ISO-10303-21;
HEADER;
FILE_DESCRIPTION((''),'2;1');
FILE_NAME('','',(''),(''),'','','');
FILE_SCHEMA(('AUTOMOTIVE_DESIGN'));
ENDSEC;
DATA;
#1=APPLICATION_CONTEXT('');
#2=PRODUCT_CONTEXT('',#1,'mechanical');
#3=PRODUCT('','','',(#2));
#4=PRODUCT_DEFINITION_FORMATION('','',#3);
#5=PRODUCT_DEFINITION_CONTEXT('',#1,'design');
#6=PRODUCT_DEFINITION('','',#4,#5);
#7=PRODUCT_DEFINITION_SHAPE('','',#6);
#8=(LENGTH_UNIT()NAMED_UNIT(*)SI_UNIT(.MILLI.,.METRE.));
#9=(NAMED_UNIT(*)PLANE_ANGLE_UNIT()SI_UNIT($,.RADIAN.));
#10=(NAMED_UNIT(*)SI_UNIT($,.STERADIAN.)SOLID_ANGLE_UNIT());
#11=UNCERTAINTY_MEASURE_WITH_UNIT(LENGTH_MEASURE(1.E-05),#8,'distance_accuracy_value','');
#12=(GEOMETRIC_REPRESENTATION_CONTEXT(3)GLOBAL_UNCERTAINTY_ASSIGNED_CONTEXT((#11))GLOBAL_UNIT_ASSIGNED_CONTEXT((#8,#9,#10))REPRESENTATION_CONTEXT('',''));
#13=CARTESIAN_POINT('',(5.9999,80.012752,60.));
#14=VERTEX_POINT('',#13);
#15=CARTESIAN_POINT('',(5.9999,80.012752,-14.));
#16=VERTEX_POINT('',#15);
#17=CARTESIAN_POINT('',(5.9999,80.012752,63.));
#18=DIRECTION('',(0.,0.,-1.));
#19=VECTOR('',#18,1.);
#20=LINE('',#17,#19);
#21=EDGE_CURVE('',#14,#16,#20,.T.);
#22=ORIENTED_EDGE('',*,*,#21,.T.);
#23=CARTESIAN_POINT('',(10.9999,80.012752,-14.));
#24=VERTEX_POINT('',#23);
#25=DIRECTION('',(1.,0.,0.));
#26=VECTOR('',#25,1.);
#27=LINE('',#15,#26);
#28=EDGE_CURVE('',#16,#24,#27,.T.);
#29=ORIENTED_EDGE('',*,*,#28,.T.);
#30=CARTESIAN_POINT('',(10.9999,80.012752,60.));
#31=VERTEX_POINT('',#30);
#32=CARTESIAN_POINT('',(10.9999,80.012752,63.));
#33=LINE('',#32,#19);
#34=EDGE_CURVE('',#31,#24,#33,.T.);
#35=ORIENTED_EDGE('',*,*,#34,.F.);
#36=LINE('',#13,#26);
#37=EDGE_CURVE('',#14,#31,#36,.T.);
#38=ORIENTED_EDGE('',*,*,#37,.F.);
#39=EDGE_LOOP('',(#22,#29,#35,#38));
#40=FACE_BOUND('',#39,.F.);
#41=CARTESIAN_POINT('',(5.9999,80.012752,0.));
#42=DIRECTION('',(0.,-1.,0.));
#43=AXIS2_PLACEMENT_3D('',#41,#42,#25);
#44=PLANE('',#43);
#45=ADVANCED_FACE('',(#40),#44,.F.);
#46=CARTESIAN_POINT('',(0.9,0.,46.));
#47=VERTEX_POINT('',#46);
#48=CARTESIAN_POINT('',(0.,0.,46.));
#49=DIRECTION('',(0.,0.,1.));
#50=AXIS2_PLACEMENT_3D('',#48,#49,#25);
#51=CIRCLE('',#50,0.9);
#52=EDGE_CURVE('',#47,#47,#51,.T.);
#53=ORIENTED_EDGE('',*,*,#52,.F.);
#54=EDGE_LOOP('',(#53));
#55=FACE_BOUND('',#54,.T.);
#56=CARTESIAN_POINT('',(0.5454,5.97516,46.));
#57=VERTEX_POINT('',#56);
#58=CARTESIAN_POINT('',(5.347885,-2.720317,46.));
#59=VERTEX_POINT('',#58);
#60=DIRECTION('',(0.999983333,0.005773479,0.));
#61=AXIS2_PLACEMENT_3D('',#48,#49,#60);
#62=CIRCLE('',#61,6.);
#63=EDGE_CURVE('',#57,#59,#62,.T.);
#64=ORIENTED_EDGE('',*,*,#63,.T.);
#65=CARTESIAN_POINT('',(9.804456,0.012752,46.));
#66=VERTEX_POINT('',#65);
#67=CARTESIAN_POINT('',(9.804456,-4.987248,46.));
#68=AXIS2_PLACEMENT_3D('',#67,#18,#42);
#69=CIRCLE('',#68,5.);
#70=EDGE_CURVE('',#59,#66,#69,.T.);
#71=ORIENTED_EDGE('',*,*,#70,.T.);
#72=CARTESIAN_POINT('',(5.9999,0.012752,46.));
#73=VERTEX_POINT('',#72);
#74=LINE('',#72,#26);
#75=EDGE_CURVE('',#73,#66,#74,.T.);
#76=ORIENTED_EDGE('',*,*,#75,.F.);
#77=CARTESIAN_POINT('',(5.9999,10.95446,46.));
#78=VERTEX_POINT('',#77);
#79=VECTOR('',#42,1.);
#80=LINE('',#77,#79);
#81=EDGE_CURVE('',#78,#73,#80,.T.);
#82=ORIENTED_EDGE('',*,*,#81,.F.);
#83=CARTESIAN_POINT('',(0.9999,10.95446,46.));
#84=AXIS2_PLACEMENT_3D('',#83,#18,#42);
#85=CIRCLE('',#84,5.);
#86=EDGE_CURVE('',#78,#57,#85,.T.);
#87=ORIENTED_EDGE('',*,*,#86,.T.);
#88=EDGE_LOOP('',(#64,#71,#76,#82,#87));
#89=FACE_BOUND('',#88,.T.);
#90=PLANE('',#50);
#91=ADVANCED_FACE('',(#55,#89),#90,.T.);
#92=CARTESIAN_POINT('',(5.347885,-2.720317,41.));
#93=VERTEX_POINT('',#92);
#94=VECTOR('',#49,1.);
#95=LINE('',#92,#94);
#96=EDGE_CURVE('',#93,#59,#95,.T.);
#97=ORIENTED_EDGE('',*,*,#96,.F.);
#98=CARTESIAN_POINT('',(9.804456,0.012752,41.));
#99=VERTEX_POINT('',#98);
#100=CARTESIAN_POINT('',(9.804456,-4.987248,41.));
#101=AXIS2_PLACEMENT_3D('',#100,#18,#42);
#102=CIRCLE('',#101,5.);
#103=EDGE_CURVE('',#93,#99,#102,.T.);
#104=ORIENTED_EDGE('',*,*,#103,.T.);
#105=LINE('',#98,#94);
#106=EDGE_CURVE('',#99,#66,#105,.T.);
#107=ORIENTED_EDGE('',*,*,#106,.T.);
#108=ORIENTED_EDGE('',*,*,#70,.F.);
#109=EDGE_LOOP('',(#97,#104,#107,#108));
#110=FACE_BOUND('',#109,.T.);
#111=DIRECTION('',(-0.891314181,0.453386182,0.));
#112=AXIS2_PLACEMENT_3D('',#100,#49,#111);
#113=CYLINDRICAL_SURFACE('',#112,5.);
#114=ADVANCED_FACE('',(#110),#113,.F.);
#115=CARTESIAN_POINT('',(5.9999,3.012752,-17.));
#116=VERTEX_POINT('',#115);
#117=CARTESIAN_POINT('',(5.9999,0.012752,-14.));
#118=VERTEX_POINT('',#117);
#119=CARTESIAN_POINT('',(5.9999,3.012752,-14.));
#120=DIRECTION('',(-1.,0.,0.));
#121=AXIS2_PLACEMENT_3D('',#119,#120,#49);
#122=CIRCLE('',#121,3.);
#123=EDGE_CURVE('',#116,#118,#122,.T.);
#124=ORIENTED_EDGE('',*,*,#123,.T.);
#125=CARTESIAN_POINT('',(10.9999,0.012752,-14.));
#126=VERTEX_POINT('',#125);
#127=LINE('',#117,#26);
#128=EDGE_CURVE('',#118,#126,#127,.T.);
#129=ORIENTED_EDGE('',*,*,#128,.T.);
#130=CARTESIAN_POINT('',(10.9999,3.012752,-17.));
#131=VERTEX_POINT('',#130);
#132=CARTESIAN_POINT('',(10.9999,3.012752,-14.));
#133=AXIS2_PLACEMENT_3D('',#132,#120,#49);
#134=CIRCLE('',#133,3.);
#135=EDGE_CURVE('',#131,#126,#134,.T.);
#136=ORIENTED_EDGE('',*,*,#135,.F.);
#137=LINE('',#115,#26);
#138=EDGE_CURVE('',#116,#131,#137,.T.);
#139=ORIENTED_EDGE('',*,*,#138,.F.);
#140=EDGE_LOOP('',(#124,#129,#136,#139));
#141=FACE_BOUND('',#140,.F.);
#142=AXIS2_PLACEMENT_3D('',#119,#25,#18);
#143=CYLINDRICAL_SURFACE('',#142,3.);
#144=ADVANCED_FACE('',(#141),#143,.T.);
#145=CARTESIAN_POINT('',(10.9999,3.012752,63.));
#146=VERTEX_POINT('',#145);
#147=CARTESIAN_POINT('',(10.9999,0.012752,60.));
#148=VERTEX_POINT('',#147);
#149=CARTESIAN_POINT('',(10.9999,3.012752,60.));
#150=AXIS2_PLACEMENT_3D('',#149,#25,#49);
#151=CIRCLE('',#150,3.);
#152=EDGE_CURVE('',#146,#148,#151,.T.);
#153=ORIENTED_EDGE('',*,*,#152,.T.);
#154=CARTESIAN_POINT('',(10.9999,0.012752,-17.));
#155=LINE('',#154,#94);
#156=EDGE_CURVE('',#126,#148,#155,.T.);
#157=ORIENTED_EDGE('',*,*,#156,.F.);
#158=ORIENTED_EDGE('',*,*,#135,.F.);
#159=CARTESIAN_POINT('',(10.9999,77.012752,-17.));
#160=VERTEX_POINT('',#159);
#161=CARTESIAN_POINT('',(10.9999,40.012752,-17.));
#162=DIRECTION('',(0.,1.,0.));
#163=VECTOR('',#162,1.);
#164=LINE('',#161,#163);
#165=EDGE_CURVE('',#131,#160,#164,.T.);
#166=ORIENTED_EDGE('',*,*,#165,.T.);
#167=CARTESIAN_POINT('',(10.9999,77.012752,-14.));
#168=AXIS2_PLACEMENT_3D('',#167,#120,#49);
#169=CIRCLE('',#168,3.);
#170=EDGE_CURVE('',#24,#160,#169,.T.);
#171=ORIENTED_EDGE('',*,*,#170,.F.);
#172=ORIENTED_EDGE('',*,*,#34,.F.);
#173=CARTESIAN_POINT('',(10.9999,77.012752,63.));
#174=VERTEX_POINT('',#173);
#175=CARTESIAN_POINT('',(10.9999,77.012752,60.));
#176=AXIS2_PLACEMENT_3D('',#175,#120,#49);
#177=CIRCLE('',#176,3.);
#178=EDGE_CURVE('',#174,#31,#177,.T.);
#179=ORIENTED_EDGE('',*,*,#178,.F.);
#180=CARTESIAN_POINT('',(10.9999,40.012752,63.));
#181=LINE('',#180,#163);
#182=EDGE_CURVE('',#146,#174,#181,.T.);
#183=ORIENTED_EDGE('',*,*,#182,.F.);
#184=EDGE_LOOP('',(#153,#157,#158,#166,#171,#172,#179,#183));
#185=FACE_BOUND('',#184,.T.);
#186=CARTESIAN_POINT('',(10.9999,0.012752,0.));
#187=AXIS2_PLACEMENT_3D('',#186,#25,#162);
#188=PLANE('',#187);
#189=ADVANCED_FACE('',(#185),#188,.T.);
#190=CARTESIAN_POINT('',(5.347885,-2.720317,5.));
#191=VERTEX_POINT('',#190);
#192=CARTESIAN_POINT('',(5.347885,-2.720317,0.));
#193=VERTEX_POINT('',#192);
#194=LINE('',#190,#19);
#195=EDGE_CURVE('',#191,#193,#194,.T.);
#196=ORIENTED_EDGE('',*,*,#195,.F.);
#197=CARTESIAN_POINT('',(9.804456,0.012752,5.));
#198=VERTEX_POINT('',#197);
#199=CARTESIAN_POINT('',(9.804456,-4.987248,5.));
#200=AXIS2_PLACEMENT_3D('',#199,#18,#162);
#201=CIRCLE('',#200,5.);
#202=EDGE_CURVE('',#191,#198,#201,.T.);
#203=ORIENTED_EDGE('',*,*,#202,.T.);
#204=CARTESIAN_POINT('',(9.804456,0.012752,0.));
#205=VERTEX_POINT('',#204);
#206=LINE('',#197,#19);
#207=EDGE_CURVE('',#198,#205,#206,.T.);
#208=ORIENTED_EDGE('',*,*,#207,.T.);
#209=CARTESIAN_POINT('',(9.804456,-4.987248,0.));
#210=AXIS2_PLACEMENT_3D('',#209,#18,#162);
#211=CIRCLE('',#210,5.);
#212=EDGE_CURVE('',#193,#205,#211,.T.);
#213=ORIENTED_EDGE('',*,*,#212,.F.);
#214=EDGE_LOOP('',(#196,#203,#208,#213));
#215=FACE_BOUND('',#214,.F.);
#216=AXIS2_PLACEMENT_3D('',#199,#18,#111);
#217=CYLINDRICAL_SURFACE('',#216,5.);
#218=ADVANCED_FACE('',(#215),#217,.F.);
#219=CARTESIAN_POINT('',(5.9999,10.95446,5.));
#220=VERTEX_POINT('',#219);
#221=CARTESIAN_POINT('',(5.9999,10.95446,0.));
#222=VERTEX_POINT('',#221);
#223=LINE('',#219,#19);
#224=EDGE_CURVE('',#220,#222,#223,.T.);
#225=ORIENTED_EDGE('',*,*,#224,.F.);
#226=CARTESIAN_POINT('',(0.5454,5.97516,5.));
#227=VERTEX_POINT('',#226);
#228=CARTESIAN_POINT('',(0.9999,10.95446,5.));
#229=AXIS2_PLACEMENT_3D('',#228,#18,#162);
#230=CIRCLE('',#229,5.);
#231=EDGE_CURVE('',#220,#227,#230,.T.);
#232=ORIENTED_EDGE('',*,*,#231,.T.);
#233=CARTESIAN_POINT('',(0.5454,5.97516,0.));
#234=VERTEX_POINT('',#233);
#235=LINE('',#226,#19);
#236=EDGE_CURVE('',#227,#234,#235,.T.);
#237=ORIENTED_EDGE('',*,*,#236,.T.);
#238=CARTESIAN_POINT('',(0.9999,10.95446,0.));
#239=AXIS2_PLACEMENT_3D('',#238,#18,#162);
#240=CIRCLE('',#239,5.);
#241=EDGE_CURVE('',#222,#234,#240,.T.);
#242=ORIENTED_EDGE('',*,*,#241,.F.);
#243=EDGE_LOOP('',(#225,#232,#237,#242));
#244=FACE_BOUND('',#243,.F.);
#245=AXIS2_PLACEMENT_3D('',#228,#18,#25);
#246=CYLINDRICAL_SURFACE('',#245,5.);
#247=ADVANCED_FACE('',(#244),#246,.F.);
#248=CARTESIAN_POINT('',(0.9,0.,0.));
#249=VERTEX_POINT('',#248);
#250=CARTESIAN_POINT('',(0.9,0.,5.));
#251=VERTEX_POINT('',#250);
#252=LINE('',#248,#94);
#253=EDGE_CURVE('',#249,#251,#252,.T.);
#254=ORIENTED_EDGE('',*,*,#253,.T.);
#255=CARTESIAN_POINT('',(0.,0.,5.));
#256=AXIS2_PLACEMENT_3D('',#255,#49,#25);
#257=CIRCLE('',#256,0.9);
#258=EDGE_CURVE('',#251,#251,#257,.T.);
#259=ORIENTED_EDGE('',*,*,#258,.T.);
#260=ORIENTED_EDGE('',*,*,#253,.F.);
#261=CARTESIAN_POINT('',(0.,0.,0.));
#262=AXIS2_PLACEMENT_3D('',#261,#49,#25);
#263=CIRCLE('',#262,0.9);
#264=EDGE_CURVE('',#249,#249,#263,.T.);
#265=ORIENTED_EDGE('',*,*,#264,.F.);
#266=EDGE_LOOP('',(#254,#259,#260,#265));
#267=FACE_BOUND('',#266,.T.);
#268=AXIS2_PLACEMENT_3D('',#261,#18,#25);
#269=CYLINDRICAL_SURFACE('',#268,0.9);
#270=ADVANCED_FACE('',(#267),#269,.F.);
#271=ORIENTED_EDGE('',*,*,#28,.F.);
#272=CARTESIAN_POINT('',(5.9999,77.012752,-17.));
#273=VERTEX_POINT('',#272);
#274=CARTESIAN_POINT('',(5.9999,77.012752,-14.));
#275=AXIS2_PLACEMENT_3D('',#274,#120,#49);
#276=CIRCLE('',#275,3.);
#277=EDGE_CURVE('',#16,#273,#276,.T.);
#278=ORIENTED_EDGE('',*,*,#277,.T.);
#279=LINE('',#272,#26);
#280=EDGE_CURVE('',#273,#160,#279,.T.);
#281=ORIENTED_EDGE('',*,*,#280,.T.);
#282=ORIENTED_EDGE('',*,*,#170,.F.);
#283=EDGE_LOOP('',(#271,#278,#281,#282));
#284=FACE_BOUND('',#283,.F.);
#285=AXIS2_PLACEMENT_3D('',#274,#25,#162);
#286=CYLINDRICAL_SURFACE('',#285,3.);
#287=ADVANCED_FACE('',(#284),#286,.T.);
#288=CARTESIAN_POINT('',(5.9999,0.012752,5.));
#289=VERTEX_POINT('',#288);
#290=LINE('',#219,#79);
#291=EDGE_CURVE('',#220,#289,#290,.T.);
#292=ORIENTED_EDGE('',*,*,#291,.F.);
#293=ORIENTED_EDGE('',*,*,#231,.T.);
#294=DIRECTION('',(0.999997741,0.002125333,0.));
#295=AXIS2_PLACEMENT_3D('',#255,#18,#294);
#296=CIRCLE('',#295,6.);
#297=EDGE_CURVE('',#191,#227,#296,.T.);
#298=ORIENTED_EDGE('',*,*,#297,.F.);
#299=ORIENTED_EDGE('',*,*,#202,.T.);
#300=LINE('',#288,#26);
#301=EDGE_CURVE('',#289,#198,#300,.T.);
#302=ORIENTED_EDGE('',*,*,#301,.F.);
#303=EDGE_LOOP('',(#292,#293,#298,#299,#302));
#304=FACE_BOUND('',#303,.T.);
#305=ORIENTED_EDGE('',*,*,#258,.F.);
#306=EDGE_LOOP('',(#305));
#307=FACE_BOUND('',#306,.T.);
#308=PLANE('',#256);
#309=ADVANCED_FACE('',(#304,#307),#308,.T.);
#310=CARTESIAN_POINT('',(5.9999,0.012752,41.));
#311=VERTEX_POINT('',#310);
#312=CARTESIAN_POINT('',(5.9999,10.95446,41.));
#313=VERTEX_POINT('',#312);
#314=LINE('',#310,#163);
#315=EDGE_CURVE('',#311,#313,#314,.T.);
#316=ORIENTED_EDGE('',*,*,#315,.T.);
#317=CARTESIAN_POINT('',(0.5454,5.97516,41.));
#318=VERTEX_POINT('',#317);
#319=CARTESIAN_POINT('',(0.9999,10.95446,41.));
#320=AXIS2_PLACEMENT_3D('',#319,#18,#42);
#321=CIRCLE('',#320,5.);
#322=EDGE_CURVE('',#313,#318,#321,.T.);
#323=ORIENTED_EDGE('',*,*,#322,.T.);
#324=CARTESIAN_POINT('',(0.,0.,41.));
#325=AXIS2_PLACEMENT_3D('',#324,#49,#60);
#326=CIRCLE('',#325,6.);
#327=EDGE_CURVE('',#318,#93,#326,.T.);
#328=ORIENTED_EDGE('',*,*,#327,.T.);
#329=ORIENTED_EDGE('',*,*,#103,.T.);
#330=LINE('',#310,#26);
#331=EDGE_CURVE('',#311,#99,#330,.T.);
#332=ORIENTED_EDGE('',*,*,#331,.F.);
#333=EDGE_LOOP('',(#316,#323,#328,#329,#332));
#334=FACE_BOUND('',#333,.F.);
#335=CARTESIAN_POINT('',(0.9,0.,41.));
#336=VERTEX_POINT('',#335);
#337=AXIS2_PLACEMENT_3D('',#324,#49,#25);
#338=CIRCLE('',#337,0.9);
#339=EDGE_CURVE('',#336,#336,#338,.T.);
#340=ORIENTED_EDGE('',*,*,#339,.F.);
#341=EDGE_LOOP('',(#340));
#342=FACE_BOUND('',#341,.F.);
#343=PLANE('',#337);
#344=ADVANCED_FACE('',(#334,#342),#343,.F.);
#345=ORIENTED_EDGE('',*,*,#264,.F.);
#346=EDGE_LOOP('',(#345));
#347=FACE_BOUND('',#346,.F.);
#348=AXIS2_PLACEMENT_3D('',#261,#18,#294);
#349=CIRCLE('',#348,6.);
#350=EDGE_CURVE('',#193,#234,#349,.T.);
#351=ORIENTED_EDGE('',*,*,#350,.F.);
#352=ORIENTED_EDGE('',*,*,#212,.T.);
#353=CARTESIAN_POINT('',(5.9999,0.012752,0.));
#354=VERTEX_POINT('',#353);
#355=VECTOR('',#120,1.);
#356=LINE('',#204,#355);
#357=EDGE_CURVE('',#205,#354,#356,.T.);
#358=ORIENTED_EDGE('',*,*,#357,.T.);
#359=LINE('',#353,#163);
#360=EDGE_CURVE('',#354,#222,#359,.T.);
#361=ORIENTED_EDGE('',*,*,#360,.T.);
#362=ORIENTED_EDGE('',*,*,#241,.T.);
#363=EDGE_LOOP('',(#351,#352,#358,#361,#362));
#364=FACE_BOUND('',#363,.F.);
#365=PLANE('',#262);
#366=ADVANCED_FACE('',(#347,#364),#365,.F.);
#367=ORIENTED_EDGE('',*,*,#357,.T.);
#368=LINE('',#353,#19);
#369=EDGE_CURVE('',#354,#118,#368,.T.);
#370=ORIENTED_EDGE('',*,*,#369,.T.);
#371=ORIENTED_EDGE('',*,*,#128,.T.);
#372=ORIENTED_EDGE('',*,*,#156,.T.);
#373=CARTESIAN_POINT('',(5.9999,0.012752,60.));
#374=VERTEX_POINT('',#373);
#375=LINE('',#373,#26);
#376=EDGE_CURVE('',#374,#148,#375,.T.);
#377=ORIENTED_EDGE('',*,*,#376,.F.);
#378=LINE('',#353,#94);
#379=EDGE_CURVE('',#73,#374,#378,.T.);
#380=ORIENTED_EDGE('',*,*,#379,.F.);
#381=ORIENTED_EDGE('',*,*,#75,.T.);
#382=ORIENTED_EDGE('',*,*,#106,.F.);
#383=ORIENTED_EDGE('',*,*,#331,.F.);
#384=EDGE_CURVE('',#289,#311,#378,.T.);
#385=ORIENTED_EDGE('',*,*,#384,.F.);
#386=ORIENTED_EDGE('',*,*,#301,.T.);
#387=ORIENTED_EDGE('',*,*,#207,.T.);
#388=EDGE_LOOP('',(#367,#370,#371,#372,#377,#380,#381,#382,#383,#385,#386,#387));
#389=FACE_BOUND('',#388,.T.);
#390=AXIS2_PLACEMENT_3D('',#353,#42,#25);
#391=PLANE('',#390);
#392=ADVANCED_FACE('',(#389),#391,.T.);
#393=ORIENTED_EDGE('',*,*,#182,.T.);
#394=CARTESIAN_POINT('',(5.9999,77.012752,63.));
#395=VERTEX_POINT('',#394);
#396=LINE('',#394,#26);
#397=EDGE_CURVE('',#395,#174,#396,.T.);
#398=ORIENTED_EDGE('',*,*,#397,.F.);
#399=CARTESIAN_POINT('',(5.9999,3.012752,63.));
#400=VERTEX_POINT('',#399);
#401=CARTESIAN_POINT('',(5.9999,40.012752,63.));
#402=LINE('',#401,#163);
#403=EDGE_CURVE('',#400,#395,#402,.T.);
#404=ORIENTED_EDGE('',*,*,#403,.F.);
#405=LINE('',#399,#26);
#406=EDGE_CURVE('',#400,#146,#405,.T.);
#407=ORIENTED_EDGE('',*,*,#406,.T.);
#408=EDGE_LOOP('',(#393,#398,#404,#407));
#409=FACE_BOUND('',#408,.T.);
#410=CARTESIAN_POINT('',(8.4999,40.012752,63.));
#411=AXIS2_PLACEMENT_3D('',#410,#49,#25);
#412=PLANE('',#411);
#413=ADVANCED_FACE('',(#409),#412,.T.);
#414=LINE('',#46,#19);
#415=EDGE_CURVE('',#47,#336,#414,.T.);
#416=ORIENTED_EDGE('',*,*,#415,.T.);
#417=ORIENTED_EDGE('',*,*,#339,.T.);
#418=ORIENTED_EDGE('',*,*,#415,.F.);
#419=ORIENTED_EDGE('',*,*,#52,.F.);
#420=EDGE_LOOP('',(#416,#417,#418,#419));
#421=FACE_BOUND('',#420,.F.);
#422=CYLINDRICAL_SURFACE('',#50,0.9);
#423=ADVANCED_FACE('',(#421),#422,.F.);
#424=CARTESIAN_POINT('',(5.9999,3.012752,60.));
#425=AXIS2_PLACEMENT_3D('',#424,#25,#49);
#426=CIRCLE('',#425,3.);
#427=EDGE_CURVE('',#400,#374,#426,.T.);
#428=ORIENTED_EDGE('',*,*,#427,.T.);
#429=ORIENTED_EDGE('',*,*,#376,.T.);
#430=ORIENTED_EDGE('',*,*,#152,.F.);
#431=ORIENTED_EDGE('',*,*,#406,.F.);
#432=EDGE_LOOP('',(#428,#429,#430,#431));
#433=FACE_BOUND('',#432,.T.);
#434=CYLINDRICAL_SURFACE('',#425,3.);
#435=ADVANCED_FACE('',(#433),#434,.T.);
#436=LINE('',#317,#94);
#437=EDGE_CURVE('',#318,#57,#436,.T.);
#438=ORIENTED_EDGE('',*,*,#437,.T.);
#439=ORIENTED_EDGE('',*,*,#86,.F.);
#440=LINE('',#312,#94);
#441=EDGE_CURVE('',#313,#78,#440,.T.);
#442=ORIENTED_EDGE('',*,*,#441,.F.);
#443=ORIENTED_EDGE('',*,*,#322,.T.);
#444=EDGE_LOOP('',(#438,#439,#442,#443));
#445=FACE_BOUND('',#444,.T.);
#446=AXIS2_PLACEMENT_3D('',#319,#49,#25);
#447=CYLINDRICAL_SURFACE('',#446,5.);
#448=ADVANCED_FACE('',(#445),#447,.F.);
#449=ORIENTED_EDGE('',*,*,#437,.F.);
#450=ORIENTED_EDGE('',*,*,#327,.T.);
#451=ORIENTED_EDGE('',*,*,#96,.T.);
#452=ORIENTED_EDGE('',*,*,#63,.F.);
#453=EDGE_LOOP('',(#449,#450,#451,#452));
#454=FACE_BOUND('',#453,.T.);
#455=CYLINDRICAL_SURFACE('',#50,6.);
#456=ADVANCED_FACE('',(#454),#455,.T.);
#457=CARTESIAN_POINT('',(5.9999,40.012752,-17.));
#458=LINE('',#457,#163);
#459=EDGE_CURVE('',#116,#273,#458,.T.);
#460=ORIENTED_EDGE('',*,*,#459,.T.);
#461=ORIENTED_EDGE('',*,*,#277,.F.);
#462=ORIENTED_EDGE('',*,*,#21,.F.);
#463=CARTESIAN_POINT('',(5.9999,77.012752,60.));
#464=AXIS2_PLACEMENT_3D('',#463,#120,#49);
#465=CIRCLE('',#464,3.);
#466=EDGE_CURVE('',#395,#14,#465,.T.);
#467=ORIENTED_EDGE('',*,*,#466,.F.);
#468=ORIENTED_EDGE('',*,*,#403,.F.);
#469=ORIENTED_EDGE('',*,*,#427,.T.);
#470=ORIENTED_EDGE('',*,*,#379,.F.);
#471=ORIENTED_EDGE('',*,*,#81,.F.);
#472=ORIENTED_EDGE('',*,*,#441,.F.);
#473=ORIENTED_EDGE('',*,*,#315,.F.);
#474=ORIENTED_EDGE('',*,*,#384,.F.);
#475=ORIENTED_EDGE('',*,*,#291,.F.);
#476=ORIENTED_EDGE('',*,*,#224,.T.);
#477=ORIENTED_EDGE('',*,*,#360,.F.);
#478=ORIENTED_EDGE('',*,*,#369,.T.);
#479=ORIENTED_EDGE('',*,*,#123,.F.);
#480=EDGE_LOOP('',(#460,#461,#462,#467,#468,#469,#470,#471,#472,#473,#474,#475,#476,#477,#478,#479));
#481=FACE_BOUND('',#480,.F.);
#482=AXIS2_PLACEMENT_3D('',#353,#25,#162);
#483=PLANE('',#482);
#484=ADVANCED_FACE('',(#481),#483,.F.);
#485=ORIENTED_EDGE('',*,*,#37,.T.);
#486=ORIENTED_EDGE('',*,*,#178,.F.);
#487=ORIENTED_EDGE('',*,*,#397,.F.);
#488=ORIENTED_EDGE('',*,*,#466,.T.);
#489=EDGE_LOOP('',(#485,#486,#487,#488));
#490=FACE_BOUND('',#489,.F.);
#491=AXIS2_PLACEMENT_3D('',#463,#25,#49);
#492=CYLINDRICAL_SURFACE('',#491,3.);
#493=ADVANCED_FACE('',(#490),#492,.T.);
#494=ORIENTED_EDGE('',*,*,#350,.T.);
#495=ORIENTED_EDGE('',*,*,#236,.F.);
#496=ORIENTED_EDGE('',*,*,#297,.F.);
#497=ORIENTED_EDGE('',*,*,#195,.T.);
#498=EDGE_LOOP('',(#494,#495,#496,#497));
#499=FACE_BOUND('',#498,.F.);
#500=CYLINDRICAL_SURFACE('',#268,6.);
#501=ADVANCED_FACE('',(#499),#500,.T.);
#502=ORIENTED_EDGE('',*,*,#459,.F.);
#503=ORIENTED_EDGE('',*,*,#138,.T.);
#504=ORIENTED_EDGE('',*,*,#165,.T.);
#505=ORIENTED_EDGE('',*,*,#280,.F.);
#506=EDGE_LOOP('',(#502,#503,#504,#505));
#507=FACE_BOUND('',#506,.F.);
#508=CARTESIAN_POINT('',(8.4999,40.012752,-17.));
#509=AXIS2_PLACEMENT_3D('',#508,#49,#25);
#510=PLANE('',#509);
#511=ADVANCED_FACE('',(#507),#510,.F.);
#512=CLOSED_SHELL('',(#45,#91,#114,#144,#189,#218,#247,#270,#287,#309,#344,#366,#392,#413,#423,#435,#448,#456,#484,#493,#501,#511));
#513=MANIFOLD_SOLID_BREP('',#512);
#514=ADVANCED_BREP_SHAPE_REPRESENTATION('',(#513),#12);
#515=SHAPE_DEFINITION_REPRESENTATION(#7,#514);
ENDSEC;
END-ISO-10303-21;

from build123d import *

# Parameters (mm, degrees)
F0_R          = 6
F0_R_2        = 0.9
F1_DEPTH      = 5
F3_R          = 6
F3_R_2        = 0.9
F4_DEPTH      = 5
F5_W          = 5
F5_H          = 80
F6_DEPTH      = 63
F6_DEPTH_BACK = 17
F7_R          = 5
F8_R          = 3


with BuildPart() as f1:
    # F0 (on Top) → F1 (new body)
    with BuildSketch(Plane.XY):
        Circle(F0_R)
        Circle(F0_R_2, mode=Mode.SUBTRACT)
    extrude(amount=F1_DEPTH)



with BuildPart() as f4:
    # F3 (on offset) → F4 (new body)
    with BuildSketch(Plane.XY.offset(46)):
        Circle(F3_R)
        Circle(F3_R_2, mode=Mode.SUBTRACT)
    extrude(amount=-F4_DEPTH)


with BuildPart() as f1_1:
    add(f1.part)

    add(f4.part)  # F6 merges F4
    # F5 (on Top) → F6 (join, two sides)
    with BuildSketch(Plane.XY) as f6_sk:
        with Locations((8.4999, 40.012752)):
            Rectangle(F5_W, F5_H)
    extrude(amount=F6_DEPTH)
    extrude(f6_sk.sketch, amount=-F6_DEPTH_BACK)

    # F7
    f7_edges = [f1_1.edges().sort_by_distance(p)[0] for p in [
        (5.9999, 0.034641, 43.5),
        (5.9999, 0.034641, 2.5),
        (5.999986, 0.012752, 2.5),
        (5.999986, 0.012752, 43.5),
    ]]
    fillet(f7_edges, radius=F7_R)

    # F8
    f8_edges = [f1_1.edges().sort_by_distance(p)[0] for p in [
        (8.4999, 80.012752, 63),
        (8.4999, 0.012752, 63),
        (8.4999, 80.012752, -17),
        (8.4999, 0.012752, -17),
    ]]
    fillet(f8_edges, radius=F8_R)


solid = f1_1.part
